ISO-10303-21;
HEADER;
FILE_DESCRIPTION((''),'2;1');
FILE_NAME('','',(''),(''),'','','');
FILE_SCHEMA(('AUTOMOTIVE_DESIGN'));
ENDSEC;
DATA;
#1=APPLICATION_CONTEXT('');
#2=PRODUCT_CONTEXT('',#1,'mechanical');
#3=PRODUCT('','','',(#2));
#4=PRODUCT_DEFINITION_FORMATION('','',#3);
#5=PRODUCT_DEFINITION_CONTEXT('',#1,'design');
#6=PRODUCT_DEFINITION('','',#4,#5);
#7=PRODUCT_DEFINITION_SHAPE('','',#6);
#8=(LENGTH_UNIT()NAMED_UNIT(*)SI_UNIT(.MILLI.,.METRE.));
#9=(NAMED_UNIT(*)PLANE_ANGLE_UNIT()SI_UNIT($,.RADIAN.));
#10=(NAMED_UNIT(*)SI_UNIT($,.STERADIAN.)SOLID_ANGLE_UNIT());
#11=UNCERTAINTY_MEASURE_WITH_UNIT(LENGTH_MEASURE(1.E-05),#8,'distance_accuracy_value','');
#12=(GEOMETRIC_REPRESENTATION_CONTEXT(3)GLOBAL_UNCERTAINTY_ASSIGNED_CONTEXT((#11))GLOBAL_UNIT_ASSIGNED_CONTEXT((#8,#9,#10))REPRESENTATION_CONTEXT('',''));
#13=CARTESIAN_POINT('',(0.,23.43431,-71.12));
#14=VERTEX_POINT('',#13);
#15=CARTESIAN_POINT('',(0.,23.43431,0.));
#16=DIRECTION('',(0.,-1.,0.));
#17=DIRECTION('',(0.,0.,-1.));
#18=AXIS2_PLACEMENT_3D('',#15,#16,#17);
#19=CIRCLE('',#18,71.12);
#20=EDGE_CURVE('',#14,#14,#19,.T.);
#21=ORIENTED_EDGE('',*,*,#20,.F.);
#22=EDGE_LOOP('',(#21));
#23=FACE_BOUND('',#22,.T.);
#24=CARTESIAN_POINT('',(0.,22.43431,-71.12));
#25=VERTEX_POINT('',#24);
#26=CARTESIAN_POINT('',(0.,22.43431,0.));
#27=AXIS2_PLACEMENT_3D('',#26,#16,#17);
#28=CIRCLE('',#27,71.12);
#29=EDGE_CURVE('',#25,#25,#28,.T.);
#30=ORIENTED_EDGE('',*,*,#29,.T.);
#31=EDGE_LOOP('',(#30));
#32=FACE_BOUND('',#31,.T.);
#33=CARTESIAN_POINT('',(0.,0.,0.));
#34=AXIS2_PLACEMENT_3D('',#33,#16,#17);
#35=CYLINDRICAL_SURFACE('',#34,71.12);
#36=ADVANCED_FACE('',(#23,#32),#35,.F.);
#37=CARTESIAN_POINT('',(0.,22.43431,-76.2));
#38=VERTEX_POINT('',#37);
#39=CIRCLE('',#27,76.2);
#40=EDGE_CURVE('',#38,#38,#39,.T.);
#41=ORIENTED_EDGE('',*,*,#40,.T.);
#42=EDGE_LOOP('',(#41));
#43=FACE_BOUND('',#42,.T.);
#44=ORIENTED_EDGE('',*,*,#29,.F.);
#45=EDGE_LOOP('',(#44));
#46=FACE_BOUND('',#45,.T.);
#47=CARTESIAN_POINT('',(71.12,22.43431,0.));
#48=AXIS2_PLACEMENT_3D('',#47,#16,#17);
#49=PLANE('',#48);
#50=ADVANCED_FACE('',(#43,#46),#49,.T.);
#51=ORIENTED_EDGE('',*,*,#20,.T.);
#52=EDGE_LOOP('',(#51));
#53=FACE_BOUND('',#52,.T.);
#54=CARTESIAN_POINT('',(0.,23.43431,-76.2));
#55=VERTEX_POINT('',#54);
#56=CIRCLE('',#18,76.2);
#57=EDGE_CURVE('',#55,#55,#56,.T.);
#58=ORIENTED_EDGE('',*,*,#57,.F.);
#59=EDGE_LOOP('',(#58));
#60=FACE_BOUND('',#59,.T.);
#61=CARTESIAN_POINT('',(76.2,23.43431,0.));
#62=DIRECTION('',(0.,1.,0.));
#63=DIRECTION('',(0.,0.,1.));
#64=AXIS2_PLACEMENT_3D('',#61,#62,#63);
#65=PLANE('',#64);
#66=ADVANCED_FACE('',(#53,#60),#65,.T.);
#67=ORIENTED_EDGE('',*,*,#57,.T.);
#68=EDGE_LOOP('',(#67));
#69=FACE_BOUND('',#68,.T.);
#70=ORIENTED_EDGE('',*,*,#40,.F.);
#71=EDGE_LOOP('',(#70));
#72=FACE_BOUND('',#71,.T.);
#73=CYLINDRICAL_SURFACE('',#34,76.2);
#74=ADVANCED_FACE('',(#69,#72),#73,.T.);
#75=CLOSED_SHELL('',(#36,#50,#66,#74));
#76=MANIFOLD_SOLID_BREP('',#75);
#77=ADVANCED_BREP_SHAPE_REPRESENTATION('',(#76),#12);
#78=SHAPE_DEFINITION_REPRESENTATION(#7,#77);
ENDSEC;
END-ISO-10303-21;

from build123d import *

# Parameters (mm, degrees)
SKETCH1_W = 5.08
SKETCH1_H = 1


with BuildPart() as part:
    # Sketch1 → Revolve1 (revolve)
    with BuildSketch(Plane.XY):
        with Locations((73.66, 22.934310161)):
            Rectangle(SKETCH1_W, SKETCH1_H)
    revolve(axis=Axis((0, 0, 0), (0, 1, 0)))


solid = part.part
